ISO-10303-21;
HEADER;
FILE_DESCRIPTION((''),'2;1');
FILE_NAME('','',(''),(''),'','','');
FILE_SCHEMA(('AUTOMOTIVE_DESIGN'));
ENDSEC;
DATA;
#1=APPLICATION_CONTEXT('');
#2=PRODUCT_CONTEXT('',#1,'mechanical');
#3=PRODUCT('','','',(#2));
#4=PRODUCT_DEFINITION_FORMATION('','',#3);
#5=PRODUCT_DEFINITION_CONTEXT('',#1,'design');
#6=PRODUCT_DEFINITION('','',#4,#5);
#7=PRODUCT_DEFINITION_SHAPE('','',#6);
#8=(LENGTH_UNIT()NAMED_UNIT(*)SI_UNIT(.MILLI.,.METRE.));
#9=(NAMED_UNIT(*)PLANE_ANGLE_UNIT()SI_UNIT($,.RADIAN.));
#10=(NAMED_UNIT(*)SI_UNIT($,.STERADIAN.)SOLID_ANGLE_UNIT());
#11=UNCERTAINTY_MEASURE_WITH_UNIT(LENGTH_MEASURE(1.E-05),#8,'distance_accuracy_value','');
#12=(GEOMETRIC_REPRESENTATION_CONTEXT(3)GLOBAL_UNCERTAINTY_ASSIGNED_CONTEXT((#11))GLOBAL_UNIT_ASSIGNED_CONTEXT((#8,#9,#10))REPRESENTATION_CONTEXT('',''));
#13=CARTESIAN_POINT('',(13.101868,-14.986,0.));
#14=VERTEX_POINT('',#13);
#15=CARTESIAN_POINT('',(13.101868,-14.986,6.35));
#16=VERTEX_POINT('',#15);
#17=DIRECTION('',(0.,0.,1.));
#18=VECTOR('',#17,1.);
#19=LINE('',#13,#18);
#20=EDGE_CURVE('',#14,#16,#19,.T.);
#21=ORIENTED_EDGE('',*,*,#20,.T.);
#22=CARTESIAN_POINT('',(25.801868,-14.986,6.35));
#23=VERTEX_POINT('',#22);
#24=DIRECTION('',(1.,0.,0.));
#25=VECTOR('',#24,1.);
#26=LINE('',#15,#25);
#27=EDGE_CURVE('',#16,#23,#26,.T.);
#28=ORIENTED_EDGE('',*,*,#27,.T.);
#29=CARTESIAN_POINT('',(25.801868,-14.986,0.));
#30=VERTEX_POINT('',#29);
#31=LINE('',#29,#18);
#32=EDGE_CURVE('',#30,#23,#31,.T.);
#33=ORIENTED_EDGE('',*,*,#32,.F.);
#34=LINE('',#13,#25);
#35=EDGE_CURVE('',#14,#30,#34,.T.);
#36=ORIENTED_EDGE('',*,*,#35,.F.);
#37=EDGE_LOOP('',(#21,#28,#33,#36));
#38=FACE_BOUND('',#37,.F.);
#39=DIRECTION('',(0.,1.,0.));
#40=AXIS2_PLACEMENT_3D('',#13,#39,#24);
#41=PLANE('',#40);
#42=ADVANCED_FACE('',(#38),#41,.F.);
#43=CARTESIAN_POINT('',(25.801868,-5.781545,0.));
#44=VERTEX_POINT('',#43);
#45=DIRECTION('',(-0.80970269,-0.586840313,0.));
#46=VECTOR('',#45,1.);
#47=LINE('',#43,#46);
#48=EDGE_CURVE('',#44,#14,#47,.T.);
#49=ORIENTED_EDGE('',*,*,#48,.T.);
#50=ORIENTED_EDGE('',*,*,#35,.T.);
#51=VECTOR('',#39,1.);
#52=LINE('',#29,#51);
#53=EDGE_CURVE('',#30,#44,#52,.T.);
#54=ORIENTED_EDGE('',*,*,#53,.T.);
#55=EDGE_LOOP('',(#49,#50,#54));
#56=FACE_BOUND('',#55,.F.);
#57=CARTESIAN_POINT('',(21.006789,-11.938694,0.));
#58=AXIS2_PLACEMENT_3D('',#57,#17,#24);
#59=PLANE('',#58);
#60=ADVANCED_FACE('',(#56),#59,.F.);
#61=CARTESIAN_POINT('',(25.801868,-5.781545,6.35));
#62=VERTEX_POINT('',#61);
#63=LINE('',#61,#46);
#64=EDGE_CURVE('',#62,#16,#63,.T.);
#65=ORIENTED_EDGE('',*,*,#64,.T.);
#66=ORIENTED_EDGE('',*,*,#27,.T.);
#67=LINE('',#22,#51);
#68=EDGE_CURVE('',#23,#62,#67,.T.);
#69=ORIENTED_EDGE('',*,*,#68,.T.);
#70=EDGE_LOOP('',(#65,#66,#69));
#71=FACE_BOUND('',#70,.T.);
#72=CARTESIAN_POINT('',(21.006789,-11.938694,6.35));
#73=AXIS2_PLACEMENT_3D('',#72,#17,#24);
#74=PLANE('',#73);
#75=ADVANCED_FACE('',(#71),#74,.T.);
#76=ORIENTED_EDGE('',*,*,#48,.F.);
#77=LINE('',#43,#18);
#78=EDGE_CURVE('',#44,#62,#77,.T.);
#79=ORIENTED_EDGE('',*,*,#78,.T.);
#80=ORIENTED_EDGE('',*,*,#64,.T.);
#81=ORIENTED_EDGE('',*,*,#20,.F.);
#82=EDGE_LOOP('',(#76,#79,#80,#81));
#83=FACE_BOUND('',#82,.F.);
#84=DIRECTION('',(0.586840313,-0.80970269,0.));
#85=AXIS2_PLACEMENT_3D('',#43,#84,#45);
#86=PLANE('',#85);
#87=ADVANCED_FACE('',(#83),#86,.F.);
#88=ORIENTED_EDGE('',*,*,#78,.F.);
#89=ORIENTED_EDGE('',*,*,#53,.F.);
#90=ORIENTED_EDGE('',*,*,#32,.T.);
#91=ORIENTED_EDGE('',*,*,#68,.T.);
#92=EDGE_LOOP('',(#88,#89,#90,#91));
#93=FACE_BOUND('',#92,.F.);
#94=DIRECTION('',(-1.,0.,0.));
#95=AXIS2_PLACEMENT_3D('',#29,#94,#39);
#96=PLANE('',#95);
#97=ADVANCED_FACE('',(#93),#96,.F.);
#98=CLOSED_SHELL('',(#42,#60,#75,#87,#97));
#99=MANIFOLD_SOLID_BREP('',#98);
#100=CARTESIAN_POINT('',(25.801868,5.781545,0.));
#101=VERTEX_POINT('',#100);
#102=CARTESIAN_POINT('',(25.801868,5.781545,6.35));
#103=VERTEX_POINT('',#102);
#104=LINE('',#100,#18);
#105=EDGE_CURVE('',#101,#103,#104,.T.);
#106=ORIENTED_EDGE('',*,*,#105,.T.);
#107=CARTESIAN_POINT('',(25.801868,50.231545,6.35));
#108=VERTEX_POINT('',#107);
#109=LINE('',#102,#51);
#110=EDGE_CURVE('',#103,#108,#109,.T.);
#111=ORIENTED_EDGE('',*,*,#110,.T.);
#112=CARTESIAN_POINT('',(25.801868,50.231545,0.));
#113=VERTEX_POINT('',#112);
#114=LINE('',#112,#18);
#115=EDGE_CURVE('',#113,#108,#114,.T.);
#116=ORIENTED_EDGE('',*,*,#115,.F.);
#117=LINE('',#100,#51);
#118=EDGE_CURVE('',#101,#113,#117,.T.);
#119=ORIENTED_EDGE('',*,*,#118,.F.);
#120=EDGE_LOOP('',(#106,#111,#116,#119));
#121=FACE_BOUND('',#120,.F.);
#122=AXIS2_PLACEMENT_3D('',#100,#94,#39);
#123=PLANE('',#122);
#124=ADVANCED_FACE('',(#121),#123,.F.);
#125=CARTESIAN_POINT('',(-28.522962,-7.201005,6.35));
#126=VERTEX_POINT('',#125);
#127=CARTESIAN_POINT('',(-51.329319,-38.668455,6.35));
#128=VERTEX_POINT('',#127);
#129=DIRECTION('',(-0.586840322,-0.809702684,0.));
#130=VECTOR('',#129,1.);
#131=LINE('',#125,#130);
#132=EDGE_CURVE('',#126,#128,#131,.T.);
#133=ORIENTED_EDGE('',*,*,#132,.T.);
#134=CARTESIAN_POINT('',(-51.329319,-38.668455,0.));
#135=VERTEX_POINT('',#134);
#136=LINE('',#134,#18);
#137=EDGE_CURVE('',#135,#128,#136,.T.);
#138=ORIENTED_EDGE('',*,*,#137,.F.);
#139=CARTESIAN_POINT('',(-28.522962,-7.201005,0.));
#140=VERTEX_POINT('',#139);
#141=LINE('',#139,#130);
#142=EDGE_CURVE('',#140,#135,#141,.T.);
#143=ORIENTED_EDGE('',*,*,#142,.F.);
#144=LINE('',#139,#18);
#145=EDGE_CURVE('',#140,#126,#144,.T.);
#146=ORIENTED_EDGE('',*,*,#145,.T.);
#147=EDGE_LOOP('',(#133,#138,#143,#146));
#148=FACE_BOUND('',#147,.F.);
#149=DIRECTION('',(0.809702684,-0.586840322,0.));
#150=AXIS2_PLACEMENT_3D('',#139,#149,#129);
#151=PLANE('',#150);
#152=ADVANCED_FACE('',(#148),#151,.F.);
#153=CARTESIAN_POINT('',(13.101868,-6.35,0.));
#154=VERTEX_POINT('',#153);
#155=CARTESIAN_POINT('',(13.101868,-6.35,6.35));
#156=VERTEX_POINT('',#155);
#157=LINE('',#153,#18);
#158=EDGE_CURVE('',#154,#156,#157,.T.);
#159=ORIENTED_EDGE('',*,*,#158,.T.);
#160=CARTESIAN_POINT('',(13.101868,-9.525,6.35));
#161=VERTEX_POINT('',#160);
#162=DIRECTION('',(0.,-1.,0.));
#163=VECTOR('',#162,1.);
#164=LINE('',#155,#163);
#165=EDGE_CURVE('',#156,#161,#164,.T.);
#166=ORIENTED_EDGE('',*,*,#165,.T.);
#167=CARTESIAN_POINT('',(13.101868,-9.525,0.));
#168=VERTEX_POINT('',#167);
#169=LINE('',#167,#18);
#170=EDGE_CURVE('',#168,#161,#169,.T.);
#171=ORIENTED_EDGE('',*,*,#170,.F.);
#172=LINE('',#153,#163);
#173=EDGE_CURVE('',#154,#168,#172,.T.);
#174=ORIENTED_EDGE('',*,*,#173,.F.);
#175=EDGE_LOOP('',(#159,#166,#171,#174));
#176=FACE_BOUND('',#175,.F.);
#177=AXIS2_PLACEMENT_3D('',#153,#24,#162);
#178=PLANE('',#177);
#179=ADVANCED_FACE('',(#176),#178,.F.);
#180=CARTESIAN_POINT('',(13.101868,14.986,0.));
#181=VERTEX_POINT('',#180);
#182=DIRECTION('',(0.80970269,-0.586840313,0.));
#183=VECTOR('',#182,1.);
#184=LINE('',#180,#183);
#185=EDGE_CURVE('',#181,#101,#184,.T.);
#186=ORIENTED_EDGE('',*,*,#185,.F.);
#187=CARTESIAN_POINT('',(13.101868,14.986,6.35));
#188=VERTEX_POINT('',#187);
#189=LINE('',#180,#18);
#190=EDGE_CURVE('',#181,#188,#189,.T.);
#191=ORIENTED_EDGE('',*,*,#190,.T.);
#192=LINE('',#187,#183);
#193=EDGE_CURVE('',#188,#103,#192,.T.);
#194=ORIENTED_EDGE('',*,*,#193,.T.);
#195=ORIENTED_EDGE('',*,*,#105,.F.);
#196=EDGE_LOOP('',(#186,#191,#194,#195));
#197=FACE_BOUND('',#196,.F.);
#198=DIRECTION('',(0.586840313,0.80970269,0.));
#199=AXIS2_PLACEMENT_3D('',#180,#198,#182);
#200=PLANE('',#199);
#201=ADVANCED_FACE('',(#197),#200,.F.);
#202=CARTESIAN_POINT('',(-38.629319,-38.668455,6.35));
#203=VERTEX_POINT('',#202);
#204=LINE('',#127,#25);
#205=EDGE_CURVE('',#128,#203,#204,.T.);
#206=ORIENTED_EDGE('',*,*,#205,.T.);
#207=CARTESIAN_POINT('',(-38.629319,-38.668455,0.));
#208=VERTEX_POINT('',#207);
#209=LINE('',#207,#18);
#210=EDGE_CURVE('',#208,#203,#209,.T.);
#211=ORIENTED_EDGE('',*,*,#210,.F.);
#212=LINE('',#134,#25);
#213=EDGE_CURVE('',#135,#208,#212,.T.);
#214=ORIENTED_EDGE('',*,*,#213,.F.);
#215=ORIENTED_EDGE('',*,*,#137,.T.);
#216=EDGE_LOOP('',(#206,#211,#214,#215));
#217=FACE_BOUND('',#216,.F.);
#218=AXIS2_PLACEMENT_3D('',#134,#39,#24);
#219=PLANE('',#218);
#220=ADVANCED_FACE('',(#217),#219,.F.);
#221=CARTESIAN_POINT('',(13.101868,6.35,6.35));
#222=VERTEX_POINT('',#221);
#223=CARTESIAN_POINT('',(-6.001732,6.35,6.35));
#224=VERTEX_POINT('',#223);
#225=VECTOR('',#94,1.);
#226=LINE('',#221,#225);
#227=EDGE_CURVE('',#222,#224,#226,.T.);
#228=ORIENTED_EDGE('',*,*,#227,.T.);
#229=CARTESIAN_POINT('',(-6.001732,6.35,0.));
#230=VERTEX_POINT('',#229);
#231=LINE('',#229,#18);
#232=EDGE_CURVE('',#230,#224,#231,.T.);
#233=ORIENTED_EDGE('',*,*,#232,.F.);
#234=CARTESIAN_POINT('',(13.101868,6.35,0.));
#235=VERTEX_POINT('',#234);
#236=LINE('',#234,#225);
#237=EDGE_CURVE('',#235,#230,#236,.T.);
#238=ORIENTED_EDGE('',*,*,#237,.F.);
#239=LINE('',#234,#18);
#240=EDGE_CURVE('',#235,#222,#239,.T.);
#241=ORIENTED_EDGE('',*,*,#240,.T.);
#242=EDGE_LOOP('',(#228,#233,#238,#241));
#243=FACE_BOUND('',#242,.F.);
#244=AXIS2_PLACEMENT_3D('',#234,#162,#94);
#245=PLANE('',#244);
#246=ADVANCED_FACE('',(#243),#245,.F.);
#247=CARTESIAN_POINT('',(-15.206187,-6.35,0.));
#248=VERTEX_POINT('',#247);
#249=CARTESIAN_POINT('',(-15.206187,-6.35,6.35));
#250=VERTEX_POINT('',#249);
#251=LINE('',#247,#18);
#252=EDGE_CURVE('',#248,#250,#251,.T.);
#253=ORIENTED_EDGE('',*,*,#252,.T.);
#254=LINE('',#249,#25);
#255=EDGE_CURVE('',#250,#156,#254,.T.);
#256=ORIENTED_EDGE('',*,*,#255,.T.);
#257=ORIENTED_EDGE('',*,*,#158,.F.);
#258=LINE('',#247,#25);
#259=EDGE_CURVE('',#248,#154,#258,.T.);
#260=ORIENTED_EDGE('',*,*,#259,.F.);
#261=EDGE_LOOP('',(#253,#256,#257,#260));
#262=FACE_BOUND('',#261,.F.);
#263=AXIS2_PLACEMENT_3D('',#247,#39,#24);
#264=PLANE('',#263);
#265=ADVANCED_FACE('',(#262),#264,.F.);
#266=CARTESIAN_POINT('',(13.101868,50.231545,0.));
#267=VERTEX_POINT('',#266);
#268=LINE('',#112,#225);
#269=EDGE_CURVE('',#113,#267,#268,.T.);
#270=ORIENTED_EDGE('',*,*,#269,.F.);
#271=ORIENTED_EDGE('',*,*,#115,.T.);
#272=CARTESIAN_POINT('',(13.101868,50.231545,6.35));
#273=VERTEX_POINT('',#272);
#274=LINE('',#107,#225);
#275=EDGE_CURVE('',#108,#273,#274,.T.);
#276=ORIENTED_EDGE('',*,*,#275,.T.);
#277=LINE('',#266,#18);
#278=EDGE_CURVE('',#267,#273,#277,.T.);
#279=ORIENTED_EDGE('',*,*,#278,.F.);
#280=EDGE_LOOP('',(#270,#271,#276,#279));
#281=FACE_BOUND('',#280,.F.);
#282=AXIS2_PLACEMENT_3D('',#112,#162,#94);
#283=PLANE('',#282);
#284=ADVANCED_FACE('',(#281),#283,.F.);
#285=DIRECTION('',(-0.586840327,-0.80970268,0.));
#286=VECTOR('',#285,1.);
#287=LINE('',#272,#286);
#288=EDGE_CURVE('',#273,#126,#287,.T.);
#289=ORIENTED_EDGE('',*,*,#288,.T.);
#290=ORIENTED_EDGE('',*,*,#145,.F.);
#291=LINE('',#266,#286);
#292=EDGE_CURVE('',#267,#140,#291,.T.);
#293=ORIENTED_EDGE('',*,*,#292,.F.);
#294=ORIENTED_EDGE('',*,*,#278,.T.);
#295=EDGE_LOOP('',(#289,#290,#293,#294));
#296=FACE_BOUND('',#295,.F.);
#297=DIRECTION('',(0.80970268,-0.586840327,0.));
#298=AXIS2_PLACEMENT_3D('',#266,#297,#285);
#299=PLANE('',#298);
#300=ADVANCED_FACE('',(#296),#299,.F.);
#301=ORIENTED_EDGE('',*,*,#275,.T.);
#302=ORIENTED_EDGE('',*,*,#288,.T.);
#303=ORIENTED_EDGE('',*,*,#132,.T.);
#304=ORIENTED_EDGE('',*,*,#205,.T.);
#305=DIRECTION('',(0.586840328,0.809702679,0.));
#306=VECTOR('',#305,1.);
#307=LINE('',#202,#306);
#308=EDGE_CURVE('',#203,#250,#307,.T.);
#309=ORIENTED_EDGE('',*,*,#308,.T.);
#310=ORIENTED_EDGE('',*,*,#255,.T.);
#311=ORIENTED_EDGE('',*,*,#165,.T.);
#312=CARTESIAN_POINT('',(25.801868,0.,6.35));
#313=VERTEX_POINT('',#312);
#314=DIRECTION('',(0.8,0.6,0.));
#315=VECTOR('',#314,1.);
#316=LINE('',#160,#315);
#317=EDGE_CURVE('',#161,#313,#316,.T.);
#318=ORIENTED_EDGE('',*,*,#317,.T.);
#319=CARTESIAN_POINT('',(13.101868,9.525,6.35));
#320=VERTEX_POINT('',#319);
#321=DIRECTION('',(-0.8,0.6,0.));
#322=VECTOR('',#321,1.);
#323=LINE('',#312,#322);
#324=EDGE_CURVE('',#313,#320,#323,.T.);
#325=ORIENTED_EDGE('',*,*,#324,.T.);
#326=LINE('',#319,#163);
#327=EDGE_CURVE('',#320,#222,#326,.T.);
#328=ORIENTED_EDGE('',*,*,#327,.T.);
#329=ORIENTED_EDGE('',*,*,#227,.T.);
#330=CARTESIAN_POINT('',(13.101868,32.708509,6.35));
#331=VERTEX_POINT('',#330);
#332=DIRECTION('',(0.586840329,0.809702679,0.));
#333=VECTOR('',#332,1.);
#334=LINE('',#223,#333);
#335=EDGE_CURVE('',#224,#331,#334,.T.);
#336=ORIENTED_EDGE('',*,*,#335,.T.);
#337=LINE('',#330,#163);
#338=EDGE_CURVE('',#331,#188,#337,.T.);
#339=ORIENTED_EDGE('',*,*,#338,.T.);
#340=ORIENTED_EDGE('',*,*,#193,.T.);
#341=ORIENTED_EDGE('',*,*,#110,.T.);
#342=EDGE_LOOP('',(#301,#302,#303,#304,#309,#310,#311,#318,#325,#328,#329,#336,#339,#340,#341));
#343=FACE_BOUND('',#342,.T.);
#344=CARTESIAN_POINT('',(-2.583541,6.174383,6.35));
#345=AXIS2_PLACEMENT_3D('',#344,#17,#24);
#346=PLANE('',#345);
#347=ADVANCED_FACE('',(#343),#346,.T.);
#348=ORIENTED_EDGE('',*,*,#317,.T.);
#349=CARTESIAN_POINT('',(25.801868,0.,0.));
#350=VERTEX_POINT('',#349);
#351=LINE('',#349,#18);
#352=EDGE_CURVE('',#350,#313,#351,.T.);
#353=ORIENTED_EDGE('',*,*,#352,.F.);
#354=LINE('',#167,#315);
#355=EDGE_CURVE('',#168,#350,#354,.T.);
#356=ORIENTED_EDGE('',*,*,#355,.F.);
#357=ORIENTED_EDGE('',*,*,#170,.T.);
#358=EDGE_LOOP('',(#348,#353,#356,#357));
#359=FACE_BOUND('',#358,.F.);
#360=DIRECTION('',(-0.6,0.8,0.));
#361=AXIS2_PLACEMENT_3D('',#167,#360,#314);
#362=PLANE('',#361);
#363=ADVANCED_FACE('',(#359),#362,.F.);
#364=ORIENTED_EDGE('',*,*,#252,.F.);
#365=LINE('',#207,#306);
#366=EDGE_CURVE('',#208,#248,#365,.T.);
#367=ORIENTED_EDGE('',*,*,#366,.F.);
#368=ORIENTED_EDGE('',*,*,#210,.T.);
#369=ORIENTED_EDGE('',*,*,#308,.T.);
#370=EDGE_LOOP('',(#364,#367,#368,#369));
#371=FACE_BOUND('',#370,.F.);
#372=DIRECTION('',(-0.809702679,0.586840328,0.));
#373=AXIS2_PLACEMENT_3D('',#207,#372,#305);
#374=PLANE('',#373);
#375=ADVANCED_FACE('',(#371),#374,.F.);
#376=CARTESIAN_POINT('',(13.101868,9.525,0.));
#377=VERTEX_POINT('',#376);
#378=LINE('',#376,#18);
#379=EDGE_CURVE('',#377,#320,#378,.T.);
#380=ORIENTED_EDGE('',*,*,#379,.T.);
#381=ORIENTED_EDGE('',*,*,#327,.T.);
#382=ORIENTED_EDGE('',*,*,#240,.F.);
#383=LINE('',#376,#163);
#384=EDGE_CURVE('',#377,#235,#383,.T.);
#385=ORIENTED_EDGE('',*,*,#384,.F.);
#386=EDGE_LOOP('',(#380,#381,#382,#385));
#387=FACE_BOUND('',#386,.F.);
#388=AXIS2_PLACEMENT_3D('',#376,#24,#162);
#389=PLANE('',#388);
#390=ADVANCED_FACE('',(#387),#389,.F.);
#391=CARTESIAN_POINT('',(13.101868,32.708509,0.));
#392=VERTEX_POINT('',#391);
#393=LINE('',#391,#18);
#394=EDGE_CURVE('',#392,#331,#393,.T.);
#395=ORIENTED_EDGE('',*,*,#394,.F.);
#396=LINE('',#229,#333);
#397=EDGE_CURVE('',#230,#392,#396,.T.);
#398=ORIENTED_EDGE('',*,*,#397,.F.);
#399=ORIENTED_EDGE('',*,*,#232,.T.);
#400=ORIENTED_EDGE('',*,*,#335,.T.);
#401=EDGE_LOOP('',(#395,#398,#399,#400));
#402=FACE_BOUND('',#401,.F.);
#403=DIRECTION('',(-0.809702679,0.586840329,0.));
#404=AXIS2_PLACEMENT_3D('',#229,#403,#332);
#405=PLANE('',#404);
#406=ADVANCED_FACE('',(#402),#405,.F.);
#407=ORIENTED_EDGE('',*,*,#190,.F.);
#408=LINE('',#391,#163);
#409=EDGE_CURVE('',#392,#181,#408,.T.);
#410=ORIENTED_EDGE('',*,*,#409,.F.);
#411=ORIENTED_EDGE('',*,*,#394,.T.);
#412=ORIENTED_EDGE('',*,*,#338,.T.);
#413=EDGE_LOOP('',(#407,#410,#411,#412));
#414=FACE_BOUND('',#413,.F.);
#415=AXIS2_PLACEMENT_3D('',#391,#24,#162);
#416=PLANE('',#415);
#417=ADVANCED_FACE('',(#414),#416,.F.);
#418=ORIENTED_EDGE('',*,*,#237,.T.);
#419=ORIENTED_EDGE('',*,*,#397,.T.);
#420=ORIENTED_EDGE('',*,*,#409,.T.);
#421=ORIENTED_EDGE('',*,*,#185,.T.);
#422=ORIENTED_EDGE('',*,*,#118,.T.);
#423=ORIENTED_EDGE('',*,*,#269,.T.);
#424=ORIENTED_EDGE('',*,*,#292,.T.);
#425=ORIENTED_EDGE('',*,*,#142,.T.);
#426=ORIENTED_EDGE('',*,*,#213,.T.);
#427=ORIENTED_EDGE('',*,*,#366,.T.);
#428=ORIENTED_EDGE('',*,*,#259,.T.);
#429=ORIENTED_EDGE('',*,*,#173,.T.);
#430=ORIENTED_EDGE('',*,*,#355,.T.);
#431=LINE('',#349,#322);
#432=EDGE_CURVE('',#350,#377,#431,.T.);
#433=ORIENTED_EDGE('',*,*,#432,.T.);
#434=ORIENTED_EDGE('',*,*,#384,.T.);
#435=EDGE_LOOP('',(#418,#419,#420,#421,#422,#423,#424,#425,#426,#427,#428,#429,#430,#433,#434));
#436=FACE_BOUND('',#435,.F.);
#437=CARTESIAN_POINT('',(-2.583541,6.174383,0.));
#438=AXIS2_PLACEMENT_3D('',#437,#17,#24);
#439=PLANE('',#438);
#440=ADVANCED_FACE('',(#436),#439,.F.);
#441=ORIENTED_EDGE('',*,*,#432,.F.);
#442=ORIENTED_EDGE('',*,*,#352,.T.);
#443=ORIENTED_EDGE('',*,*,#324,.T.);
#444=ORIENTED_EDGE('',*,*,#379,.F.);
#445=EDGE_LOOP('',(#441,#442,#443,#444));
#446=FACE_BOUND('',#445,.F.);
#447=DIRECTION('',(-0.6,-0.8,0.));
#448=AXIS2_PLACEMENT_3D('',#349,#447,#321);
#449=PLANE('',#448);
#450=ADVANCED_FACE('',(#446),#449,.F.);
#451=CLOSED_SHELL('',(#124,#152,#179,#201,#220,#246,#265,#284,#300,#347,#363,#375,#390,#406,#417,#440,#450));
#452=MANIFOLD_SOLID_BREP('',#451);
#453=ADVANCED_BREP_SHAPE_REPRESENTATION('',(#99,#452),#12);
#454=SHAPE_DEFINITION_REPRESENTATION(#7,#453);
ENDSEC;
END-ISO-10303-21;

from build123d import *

# Parameters (mm, degrees)
F1_DEPTH = 6.35


with BuildPart() as f1:
    # F0 (on Top) → F1 (new body)
    with BuildSketch(Plane.XY):
        Polygon((-28.522962, -7.201005), (-51.329319, -38.668455), (-38.629319, -38.668455), (-15.206187, -6.35), (13.101868, -6.35), (13.101868, -9.525), (25.801868, 0), (13.101868, 9.525), (13.101868, 6.35), (-6.001732, 6.35), (13.101868, 32.708509), (13.101868, 14.986), (25.801868, 5.781545), (25.801868, 50.231545), (13.101868, 50.231545), align=None)
        Polygon((13.101868, -14.986), (25.801868, -14.986), (25.801868, -5.781545), align=None)
    extrude(amount=F1_DEPTH)


solid = f1.part
